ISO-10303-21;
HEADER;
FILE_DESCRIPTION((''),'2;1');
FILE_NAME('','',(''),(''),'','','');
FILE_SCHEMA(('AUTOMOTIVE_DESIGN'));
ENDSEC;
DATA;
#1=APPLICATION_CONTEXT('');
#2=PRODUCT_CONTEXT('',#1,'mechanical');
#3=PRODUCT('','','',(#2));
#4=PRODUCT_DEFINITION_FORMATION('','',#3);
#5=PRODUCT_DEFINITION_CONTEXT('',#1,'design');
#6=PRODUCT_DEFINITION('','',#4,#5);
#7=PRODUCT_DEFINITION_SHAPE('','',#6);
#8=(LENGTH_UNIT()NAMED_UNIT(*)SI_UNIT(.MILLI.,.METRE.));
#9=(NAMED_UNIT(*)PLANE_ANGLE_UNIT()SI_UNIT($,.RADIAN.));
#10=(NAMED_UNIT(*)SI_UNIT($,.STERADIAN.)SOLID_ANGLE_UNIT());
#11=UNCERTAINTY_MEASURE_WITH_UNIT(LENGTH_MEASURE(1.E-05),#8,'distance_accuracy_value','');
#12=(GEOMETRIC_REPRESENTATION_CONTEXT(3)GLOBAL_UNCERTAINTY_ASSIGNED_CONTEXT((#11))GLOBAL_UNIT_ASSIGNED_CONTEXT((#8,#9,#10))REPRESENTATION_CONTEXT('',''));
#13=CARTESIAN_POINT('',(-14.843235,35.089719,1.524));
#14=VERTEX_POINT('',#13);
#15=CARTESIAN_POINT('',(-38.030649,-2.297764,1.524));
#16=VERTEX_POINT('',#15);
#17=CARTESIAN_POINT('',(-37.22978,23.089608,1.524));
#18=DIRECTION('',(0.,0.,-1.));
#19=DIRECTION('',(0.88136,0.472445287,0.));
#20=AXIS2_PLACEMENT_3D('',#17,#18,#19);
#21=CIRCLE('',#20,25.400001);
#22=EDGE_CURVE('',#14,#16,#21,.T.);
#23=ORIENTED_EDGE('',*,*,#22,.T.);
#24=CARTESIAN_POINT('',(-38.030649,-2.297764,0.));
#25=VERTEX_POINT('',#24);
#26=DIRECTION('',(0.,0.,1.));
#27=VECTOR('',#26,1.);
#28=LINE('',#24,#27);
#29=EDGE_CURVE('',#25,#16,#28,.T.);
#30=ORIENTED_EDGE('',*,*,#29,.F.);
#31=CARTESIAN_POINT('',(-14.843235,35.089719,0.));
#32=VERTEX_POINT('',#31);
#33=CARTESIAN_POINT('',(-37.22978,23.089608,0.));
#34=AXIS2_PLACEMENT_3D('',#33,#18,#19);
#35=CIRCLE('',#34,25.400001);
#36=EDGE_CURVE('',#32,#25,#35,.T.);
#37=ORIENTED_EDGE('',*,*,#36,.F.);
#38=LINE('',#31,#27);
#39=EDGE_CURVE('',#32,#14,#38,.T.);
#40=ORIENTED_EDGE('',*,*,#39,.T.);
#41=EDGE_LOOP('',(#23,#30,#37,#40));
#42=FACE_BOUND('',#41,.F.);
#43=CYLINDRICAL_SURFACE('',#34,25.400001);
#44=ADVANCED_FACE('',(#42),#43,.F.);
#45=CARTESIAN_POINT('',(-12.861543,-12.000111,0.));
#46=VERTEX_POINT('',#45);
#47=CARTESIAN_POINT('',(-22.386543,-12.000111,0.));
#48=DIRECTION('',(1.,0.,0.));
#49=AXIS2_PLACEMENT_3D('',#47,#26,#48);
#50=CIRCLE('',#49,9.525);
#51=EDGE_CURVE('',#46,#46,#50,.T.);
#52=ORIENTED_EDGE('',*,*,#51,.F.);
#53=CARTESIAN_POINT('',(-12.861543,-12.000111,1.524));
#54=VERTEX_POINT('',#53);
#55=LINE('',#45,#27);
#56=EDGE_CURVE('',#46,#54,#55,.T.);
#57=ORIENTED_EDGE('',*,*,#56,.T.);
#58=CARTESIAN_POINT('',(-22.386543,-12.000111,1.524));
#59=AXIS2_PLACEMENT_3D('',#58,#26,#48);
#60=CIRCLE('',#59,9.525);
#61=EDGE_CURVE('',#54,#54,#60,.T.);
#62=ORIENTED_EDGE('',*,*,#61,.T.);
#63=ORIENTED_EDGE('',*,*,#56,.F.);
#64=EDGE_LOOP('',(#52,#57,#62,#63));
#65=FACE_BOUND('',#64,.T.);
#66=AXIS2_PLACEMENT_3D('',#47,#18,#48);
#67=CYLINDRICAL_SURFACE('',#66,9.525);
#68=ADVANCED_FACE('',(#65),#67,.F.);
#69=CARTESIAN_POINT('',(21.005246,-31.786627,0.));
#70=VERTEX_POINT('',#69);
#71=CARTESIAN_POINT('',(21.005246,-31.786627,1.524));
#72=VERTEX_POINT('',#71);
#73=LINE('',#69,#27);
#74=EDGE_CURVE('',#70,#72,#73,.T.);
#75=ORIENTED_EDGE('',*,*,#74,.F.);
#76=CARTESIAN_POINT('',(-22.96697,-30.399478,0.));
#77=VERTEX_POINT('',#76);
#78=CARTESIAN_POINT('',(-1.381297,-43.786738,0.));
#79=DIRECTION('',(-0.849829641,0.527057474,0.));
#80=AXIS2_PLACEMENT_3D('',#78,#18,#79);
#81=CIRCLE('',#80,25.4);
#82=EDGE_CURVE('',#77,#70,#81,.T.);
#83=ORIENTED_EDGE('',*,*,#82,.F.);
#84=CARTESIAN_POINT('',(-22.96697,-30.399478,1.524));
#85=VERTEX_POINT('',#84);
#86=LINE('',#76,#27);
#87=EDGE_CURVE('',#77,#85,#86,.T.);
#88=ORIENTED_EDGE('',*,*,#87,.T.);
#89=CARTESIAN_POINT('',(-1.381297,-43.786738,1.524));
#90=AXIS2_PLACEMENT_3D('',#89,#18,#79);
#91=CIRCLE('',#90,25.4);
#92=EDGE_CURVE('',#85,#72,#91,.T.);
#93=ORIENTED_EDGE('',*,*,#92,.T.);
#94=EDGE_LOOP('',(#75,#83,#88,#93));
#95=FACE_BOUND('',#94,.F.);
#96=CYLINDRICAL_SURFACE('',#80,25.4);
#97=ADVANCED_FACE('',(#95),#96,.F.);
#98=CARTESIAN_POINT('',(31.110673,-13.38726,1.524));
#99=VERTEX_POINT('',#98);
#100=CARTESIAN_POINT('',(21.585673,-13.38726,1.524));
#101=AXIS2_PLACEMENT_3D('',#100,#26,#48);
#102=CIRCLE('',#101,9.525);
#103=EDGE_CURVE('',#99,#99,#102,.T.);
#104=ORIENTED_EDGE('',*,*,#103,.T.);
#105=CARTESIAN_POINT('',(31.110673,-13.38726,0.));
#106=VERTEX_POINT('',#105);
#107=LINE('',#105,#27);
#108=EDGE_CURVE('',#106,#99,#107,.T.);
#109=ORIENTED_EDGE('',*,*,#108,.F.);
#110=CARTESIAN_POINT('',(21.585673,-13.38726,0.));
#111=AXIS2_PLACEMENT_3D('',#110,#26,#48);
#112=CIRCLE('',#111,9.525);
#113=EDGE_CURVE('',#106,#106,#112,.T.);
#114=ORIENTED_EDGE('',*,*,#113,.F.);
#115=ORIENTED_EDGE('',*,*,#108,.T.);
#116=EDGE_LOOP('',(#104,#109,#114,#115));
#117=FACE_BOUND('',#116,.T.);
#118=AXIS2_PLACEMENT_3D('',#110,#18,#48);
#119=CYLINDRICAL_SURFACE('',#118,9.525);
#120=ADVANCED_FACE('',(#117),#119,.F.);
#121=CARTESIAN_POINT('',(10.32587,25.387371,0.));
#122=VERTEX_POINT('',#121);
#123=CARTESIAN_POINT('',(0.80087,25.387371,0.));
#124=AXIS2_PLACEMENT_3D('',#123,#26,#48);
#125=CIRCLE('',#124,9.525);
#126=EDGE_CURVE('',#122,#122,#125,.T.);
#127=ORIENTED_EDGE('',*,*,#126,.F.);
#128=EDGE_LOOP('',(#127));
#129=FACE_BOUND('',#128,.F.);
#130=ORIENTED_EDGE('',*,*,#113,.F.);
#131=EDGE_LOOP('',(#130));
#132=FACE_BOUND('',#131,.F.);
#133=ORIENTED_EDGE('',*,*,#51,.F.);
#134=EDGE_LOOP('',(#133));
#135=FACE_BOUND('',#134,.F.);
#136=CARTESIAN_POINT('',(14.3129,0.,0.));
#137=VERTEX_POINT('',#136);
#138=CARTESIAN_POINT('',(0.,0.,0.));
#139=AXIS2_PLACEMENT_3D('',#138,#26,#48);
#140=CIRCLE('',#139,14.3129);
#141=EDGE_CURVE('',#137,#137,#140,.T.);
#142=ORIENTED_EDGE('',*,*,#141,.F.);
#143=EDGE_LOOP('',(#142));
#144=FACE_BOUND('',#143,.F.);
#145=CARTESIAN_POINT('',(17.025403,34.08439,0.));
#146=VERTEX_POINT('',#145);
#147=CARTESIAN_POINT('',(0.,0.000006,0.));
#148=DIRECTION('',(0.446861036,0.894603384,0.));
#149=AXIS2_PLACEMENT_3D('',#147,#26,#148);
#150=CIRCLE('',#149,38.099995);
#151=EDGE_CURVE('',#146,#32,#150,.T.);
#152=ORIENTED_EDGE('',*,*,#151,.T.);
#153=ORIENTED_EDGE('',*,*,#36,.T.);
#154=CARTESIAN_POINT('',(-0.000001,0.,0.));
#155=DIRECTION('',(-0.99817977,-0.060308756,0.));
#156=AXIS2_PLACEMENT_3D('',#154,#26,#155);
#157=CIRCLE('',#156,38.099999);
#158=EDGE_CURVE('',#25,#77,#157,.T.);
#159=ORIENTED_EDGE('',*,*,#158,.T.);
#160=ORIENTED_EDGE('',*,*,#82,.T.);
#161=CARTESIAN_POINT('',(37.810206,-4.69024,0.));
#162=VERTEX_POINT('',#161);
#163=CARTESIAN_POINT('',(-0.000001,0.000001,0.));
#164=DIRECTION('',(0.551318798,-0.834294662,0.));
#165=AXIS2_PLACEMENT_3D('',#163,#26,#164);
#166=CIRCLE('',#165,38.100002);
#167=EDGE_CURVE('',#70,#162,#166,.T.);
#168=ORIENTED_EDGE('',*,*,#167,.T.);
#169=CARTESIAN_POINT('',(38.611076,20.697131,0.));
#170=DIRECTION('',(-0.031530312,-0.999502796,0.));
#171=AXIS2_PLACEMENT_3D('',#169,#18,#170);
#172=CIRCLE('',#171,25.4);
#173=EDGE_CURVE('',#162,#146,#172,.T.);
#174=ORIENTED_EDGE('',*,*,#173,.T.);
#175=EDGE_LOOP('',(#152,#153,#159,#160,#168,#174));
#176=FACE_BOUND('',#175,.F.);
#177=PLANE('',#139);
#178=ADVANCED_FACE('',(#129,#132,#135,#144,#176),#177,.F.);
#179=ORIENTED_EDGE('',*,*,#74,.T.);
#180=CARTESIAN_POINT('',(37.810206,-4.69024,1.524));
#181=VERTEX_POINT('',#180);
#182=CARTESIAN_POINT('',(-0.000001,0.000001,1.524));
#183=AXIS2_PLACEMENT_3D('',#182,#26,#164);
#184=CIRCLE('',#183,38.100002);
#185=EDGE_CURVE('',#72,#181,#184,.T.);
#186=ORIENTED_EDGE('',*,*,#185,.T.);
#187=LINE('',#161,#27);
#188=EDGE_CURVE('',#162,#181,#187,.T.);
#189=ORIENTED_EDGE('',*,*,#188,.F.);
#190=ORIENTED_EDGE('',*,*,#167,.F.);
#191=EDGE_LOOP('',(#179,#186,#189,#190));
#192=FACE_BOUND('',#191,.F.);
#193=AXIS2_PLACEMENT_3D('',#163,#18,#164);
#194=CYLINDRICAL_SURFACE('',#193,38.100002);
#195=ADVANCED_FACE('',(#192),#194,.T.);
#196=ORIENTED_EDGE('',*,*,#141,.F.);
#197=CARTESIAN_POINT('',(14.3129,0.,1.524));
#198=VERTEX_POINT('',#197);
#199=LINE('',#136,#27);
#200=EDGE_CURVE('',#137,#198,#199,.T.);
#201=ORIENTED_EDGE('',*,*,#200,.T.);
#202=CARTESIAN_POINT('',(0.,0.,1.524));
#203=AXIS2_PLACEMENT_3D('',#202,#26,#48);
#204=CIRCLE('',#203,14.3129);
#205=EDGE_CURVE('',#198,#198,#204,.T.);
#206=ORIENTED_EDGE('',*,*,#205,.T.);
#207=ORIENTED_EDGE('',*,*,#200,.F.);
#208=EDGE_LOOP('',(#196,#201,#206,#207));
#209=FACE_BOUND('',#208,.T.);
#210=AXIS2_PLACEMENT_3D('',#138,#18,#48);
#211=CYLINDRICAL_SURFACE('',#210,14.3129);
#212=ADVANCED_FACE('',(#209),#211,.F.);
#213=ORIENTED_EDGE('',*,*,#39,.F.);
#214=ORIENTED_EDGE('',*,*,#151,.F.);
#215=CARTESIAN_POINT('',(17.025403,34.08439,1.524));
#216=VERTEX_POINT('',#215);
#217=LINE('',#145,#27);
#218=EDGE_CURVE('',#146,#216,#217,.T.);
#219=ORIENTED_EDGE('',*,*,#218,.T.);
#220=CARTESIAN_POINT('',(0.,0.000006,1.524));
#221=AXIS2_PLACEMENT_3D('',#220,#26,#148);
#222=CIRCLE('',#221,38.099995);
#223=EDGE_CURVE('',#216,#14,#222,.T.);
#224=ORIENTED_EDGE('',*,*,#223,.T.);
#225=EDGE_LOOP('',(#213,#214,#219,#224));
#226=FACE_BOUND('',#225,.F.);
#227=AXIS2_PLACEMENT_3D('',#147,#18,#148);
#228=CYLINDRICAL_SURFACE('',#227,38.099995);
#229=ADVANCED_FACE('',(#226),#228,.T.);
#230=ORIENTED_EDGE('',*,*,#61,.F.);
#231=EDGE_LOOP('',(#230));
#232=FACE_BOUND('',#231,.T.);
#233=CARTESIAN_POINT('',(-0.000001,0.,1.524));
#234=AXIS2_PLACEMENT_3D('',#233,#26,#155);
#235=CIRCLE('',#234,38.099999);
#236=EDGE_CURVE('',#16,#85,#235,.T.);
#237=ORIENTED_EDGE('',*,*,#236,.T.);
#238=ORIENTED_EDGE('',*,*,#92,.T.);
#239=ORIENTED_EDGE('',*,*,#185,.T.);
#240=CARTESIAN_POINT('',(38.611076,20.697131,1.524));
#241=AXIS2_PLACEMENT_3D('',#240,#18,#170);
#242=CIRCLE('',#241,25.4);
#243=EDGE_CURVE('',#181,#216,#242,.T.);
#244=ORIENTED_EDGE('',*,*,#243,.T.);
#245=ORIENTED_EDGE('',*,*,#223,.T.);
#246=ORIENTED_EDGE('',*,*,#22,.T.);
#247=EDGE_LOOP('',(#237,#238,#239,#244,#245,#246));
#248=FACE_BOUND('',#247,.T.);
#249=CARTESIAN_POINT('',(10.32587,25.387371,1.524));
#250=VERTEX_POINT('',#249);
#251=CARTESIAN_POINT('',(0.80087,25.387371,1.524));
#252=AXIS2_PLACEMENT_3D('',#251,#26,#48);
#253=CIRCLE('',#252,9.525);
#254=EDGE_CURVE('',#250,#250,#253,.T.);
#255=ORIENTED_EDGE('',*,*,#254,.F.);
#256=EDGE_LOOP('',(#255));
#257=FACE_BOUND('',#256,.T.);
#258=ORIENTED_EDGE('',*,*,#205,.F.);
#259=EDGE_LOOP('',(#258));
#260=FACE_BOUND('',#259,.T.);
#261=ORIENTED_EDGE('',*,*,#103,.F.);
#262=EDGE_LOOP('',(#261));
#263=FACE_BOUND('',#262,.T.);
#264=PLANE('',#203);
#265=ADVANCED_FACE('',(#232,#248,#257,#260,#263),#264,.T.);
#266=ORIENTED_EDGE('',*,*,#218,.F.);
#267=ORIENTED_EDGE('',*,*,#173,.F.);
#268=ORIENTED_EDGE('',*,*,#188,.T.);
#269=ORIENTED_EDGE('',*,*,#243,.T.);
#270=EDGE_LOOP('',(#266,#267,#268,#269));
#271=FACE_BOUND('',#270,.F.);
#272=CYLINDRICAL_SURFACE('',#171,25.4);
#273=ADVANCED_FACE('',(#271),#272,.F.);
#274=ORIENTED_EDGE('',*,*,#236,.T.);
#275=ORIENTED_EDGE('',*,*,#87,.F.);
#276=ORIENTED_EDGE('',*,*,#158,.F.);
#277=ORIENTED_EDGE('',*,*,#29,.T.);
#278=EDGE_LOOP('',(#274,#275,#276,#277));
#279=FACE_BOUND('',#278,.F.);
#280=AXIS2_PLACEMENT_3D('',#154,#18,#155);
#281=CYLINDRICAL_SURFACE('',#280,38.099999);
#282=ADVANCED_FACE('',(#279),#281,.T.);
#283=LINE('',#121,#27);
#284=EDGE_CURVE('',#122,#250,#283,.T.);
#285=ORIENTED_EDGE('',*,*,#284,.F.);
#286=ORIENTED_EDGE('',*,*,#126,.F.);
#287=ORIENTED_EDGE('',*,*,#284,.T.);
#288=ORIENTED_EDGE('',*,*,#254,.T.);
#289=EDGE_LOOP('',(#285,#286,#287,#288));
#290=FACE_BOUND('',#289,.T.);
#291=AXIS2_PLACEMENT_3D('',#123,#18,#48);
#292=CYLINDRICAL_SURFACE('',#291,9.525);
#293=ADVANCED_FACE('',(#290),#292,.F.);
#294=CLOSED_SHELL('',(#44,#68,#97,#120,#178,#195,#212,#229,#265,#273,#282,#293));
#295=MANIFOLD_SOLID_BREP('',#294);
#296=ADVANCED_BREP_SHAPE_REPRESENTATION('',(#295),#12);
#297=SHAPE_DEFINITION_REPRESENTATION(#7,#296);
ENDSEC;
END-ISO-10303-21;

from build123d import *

# Parameters (mm, degrees)
F0_R     = 9.525
F0_R_2   = 14.3129
F1_DEPTH = 1.524


with BuildPart() as f1:
    # F0 (on Top) → F1 (new body)
    with BuildSketch(Plane.XY):
        with BuildLine():
            ThreePointArc((37.810206, -4.69024), (16.224533, 8.697019), (17.025403, 34.08439))
            ThreePointArc((17.025403, 34.08439), (1.201306, 38.081057), (-14.843235, 35.089719))
            ThreePointArc((-14.843235, 35.089719), (-15.644106, 9.702348), (-38.030649, -2.297764))
            ThreePointArc((-38.030649, -2.297764), (-33.579815, -18.000167), (-22.96697, -30.399478))
            ThreePointArc((-22.96697, -30.399478), (-0.580427, -18.399367), (21.005246, -31.786627))
            ThreePointArc((21.005246, -31.786627), (32.37851, -20.080889), (37.810206, -4.69024))
        make_face()
        with Locations((-22.386543, -12.000111)):
            Circle(F0_R, mode=Mode.SUBTRACT)
        with Locations((21.585673, -13.38726)):
            Circle(F0_R, mode=Mode.SUBTRACT)
        Circle(F0_R_2, mode=Mode.SUBTRACT)
        with Locations((0.80087, 25.387371)):
            Circle(F0_R, mode=Mode.SUBTRACT)
    extrude(amount=F1_DEPTH)


solid = f1.part
